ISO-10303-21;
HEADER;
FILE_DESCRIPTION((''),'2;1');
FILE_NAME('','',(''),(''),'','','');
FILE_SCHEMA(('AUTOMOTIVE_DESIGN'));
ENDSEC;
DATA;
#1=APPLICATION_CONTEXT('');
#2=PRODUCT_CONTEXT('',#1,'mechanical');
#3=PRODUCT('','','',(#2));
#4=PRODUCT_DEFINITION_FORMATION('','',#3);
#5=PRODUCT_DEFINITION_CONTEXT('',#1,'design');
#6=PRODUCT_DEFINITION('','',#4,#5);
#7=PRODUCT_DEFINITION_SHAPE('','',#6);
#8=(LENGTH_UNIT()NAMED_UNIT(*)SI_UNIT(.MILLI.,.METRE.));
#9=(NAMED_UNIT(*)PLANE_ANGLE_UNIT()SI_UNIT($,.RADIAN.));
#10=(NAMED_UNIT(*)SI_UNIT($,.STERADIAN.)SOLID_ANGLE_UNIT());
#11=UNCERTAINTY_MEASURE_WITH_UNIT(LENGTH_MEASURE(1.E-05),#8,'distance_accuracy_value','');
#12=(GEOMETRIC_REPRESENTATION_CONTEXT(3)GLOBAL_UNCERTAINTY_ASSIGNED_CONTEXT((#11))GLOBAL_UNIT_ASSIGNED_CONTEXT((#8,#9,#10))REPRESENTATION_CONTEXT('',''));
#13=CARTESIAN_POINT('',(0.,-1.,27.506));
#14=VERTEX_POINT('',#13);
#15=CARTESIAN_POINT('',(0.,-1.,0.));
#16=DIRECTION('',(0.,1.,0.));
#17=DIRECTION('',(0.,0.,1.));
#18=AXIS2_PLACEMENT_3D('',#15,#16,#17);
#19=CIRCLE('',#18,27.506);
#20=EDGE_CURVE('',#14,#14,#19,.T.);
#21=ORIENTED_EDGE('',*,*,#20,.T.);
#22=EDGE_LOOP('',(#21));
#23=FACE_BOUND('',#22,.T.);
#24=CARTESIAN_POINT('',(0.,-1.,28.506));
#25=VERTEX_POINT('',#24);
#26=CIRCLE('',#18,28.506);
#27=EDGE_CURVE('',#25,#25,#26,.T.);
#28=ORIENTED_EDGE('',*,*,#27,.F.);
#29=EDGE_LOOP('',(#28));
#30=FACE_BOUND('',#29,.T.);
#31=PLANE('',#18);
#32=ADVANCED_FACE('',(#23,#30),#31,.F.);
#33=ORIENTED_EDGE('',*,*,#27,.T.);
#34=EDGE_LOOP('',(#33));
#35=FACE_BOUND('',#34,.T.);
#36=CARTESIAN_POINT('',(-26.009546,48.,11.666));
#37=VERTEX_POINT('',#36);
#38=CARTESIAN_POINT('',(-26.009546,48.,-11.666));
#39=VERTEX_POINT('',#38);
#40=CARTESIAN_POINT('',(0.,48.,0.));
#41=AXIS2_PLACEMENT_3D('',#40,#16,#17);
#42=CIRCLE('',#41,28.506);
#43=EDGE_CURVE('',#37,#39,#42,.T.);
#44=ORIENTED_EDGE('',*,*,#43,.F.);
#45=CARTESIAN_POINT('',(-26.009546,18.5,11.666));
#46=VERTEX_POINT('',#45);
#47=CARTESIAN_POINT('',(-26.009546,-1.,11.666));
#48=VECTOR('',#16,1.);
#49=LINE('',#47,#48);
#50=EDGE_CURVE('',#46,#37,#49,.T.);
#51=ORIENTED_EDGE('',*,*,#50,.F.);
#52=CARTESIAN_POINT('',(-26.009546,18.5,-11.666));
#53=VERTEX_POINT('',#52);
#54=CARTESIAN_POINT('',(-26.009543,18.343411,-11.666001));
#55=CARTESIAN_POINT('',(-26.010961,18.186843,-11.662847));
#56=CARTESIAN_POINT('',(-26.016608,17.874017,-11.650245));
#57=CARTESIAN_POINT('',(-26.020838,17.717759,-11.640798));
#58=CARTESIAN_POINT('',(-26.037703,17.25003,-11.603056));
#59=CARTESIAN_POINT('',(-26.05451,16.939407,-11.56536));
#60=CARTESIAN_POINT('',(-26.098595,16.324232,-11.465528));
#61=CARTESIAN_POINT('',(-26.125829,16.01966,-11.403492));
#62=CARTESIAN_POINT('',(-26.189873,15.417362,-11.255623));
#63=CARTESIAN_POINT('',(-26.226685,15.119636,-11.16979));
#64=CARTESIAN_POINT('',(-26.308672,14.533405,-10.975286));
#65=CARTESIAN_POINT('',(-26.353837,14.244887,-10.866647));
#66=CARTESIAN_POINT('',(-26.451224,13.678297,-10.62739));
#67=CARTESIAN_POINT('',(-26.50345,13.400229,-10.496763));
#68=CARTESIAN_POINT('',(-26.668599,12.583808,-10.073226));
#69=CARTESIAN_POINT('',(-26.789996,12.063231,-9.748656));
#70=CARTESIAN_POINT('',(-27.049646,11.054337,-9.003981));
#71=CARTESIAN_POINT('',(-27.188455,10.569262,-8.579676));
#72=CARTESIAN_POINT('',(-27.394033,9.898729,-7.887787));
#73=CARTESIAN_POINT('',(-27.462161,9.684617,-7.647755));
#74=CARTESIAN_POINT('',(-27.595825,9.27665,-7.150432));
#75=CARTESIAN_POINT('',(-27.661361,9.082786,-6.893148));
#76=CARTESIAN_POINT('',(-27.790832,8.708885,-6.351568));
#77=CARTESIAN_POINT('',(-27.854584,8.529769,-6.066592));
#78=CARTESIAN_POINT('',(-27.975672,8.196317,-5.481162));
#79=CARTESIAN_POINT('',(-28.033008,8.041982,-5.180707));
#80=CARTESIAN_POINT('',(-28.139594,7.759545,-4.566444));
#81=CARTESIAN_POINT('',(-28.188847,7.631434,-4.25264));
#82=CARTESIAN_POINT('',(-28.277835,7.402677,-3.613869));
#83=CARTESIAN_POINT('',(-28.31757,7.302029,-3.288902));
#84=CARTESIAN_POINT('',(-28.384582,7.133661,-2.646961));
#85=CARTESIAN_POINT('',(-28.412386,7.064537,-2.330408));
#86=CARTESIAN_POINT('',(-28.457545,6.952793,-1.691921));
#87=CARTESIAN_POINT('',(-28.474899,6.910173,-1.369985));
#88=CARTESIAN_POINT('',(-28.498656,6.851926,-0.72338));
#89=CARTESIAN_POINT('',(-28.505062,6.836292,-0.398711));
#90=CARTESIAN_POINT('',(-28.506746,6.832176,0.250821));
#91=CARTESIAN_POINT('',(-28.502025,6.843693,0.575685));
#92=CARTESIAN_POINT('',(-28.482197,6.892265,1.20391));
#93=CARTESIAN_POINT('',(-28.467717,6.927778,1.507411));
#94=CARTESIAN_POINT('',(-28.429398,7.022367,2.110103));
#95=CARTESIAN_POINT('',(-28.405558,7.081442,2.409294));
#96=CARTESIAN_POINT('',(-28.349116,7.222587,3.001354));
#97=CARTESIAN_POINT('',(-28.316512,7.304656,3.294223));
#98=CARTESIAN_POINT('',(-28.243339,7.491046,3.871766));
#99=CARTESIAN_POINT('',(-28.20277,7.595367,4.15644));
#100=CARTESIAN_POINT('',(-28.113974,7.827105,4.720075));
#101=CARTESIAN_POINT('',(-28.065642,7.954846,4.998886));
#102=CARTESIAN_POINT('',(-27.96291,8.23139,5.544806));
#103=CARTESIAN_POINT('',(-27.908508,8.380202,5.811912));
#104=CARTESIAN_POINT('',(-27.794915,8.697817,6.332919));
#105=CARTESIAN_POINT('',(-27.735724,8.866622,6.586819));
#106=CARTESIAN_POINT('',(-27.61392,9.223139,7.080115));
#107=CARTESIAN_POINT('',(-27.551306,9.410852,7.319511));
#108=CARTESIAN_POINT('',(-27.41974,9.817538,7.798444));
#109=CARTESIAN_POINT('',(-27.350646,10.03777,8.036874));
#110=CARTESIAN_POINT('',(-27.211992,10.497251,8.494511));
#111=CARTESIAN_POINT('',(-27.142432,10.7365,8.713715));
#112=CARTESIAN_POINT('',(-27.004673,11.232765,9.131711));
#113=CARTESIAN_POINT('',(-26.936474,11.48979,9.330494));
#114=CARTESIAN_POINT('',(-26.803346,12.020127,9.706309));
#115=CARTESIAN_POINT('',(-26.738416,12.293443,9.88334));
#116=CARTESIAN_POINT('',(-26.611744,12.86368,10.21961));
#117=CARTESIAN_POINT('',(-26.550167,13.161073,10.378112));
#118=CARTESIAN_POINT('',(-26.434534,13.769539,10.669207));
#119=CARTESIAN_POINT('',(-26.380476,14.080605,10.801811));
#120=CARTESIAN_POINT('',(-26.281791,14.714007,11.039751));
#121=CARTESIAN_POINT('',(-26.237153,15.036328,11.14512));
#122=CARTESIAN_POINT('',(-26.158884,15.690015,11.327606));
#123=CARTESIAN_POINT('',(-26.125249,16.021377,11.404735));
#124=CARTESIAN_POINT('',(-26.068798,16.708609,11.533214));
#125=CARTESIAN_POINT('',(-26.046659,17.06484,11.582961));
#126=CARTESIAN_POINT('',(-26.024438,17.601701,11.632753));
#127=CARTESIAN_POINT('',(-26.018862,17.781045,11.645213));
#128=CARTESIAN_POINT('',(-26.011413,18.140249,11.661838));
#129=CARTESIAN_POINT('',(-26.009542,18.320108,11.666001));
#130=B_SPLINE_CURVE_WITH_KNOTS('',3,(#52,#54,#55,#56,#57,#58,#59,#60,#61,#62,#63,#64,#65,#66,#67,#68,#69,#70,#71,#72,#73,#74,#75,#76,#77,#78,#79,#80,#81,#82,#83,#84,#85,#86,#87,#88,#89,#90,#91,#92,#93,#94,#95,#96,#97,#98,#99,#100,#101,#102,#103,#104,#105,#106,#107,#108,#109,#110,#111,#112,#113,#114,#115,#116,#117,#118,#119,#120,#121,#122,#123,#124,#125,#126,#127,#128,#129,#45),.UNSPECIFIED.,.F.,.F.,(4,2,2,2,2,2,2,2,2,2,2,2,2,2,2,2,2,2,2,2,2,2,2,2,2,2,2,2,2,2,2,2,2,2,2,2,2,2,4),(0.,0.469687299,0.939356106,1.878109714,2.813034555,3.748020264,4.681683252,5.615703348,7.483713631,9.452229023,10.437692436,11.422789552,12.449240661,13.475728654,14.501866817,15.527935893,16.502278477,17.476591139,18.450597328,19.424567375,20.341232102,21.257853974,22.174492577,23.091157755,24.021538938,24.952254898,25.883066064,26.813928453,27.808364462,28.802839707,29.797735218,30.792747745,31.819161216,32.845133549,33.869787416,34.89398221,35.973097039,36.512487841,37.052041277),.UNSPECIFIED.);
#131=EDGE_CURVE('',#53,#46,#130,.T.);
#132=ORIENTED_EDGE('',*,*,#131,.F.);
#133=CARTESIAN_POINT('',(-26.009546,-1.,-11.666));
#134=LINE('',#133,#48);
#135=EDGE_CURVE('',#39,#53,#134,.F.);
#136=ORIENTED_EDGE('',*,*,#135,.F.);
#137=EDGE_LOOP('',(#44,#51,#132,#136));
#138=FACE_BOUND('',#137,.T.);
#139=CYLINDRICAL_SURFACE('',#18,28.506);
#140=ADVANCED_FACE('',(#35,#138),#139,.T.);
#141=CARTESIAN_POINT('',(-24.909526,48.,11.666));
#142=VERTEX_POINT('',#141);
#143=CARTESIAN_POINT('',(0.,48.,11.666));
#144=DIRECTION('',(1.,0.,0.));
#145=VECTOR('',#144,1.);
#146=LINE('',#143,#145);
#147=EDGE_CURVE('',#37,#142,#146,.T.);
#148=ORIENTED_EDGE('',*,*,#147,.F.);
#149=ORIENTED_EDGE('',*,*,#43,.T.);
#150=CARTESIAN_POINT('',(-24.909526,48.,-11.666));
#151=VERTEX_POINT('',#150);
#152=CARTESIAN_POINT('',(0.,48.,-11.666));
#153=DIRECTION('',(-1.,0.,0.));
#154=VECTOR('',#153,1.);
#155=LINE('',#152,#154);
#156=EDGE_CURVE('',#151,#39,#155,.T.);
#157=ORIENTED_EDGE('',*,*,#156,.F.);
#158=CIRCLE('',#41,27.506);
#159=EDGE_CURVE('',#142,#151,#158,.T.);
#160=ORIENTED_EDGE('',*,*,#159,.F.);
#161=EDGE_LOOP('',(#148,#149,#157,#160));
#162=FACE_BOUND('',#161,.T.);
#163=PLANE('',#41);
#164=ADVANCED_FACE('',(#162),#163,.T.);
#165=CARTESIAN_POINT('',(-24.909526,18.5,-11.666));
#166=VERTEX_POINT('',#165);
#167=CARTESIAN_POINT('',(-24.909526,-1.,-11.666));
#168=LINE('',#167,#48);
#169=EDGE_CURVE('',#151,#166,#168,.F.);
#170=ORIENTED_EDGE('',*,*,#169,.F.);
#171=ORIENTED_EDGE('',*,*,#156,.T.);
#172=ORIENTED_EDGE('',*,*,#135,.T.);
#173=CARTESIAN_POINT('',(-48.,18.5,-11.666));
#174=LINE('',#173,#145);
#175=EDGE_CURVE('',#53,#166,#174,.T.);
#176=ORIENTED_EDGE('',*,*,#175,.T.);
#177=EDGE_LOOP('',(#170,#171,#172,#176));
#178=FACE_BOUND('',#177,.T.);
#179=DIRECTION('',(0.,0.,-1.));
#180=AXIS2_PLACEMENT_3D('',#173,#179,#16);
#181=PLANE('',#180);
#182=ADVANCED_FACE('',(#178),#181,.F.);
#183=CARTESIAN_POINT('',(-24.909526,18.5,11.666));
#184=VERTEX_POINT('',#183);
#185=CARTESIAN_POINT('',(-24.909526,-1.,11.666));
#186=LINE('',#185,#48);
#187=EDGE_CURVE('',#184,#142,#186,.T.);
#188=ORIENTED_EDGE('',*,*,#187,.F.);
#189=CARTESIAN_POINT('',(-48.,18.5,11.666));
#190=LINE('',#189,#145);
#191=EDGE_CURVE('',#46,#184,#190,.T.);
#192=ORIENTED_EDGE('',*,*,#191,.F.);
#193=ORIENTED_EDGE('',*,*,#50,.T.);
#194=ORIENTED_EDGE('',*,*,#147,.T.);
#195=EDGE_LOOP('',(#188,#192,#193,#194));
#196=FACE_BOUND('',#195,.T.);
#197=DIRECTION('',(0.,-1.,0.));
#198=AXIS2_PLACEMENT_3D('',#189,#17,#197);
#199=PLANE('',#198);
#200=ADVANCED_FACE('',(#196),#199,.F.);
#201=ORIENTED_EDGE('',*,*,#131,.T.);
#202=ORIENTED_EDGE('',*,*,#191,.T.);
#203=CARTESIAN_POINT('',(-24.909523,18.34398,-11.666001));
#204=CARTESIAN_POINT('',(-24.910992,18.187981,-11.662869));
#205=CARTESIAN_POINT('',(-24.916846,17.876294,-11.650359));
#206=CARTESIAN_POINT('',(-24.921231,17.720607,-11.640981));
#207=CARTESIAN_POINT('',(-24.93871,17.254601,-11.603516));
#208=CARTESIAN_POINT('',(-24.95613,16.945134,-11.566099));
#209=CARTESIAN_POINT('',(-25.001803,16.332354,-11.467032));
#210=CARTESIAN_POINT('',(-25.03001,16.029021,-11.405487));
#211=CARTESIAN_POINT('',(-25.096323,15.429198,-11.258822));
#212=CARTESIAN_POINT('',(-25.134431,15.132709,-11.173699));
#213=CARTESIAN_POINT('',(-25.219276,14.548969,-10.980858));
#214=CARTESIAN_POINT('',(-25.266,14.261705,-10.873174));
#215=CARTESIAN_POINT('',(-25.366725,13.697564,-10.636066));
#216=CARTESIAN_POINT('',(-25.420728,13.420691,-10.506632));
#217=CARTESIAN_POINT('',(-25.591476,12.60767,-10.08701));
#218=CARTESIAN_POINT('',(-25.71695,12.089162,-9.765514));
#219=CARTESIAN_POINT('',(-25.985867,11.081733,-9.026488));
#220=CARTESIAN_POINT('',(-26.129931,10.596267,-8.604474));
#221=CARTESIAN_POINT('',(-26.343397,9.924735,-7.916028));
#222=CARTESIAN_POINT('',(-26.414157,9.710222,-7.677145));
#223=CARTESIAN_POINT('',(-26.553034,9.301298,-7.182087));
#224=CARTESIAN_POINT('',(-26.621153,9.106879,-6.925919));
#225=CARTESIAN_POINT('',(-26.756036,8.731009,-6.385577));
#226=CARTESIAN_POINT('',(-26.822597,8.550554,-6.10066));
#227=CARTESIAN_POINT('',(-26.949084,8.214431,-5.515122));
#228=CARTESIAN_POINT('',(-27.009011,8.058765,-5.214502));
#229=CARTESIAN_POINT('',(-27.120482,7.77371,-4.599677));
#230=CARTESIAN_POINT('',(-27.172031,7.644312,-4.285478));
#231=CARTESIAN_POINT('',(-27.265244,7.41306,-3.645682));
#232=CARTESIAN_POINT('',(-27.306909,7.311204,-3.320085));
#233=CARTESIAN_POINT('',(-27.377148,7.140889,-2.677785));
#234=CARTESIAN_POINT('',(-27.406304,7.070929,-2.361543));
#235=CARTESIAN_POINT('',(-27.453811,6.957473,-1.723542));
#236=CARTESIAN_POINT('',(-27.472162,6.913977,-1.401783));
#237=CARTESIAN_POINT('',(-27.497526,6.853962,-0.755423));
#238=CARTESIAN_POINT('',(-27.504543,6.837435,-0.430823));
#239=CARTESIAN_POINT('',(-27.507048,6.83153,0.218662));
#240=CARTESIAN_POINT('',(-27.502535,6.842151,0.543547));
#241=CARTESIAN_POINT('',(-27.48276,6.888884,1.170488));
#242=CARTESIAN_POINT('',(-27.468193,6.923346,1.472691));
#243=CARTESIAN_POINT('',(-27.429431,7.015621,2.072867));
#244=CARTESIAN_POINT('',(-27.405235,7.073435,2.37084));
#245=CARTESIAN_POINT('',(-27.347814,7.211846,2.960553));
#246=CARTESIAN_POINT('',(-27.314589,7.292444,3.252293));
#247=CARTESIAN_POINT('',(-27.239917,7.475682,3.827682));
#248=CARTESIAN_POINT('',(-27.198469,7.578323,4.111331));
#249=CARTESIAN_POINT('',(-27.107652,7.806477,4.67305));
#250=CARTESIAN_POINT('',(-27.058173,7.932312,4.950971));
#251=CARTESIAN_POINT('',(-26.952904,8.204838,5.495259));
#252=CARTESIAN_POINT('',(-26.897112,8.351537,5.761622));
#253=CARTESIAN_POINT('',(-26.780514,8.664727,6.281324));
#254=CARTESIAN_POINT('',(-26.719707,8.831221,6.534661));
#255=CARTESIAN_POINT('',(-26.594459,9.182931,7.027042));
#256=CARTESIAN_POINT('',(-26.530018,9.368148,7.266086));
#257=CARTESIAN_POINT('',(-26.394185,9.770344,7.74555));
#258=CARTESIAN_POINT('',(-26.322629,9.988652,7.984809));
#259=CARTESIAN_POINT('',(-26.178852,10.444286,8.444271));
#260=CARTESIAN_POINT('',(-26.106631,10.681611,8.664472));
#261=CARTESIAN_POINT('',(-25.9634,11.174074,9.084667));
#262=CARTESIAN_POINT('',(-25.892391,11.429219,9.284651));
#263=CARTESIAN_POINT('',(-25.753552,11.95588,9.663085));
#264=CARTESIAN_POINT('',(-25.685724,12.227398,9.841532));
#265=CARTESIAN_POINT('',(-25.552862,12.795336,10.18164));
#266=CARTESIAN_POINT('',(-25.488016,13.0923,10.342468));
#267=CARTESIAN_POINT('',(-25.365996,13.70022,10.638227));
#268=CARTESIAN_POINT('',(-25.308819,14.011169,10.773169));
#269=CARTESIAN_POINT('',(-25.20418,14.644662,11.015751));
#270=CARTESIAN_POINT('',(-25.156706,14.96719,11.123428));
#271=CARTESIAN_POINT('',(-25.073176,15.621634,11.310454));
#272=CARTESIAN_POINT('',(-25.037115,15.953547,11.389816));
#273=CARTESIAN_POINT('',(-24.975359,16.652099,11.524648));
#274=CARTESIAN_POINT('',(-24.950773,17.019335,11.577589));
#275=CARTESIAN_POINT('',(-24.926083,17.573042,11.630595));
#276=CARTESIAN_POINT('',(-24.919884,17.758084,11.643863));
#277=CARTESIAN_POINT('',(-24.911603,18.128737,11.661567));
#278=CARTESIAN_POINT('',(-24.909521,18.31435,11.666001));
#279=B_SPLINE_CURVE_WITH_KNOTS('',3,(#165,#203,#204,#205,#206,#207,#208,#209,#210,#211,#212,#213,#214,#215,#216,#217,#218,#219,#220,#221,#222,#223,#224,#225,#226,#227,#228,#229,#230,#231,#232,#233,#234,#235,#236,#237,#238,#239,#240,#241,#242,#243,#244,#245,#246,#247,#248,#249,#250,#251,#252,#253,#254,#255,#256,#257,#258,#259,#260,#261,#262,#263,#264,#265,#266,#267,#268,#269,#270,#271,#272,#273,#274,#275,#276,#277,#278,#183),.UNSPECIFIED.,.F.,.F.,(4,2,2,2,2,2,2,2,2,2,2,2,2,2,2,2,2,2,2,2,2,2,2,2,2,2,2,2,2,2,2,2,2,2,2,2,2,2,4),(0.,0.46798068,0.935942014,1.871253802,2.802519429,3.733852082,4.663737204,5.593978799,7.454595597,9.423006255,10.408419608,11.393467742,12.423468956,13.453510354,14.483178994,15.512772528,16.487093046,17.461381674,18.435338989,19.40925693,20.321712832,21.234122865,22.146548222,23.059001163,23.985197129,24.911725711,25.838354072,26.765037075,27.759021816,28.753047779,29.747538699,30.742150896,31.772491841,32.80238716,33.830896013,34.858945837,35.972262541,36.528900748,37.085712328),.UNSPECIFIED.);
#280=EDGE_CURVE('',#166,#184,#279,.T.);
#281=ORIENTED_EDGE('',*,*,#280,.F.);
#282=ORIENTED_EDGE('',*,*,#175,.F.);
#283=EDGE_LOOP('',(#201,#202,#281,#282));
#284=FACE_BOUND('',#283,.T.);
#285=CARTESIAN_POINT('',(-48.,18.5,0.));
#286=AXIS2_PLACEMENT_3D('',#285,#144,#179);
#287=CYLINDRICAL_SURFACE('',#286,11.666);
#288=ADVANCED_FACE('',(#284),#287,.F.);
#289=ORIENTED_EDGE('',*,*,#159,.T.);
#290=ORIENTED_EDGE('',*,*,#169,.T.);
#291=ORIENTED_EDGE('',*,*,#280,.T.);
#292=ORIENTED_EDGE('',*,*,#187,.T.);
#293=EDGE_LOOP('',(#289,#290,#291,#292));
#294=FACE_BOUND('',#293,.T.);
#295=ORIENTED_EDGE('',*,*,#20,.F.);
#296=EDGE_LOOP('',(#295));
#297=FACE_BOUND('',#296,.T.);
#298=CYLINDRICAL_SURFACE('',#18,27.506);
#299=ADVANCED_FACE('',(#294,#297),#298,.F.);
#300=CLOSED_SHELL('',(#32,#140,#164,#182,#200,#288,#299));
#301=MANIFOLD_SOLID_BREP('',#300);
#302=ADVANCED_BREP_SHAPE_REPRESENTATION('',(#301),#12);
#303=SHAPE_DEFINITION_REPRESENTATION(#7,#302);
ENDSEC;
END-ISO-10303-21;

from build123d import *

# Parameters (mm, degrees)
BOSS_EXTRUDE1_DEPTH      = 48
BOSS_EXTRUDE1_DEPTH_BACK = 1
SKETCH1_R                = 28.506
SKETCH1_R_2              = 27.506
CUT_EXTRUDE1_DEPTH       = 48


with BuildPart() as part:
    # Sketch1 → Boss-Extrude1 (new, two sides: drawn at the far end of the back side and taken through both)
    with BuildSketch(Plane(origin=(0, 0, 0), x_dir=(1, 0, 0), z_dir=(0, 1, 0)).offset(-BOSS_EXTRUDE1_DEPTH_BACK)):
        with Locations(Location((0, 0, 0), (0, 0, 270))):
            Circle(SKETCH1_R)
        with Locations(Location((0, 0, 0), (0, 0, 270))):
            Circle(SKETCH1_R_2, mode=Mode.SUBTRACT)
    extrude(amount=BOSS_EXTRUDE1_DEPTH + BOSS_EXTRUDE1_DEPTH_BACK)

    # Sketch2 → Cut-Extrude1 (cut)
    with BuildSketch(Plane(origin=(0, 0, 0), x_dir=(0, 0, -1), z_dir=(1, 0, 0))):
        with BuildLine():
            Line((11.666, 18.5), (11.666, 48))
            Line((11.666, 48), (-11.666, 48))
            Line((-11.666, 48), (-11.666, 18.5))
            ThreePointArc((-11.666, 18.5), (0, 6.834), (11.666, 18.5))
        make_face()
    extrude(amount=-CUT_EXTRUDE1_DEPTH, mode=Mode.SUBTRACT)


solid = part.part
